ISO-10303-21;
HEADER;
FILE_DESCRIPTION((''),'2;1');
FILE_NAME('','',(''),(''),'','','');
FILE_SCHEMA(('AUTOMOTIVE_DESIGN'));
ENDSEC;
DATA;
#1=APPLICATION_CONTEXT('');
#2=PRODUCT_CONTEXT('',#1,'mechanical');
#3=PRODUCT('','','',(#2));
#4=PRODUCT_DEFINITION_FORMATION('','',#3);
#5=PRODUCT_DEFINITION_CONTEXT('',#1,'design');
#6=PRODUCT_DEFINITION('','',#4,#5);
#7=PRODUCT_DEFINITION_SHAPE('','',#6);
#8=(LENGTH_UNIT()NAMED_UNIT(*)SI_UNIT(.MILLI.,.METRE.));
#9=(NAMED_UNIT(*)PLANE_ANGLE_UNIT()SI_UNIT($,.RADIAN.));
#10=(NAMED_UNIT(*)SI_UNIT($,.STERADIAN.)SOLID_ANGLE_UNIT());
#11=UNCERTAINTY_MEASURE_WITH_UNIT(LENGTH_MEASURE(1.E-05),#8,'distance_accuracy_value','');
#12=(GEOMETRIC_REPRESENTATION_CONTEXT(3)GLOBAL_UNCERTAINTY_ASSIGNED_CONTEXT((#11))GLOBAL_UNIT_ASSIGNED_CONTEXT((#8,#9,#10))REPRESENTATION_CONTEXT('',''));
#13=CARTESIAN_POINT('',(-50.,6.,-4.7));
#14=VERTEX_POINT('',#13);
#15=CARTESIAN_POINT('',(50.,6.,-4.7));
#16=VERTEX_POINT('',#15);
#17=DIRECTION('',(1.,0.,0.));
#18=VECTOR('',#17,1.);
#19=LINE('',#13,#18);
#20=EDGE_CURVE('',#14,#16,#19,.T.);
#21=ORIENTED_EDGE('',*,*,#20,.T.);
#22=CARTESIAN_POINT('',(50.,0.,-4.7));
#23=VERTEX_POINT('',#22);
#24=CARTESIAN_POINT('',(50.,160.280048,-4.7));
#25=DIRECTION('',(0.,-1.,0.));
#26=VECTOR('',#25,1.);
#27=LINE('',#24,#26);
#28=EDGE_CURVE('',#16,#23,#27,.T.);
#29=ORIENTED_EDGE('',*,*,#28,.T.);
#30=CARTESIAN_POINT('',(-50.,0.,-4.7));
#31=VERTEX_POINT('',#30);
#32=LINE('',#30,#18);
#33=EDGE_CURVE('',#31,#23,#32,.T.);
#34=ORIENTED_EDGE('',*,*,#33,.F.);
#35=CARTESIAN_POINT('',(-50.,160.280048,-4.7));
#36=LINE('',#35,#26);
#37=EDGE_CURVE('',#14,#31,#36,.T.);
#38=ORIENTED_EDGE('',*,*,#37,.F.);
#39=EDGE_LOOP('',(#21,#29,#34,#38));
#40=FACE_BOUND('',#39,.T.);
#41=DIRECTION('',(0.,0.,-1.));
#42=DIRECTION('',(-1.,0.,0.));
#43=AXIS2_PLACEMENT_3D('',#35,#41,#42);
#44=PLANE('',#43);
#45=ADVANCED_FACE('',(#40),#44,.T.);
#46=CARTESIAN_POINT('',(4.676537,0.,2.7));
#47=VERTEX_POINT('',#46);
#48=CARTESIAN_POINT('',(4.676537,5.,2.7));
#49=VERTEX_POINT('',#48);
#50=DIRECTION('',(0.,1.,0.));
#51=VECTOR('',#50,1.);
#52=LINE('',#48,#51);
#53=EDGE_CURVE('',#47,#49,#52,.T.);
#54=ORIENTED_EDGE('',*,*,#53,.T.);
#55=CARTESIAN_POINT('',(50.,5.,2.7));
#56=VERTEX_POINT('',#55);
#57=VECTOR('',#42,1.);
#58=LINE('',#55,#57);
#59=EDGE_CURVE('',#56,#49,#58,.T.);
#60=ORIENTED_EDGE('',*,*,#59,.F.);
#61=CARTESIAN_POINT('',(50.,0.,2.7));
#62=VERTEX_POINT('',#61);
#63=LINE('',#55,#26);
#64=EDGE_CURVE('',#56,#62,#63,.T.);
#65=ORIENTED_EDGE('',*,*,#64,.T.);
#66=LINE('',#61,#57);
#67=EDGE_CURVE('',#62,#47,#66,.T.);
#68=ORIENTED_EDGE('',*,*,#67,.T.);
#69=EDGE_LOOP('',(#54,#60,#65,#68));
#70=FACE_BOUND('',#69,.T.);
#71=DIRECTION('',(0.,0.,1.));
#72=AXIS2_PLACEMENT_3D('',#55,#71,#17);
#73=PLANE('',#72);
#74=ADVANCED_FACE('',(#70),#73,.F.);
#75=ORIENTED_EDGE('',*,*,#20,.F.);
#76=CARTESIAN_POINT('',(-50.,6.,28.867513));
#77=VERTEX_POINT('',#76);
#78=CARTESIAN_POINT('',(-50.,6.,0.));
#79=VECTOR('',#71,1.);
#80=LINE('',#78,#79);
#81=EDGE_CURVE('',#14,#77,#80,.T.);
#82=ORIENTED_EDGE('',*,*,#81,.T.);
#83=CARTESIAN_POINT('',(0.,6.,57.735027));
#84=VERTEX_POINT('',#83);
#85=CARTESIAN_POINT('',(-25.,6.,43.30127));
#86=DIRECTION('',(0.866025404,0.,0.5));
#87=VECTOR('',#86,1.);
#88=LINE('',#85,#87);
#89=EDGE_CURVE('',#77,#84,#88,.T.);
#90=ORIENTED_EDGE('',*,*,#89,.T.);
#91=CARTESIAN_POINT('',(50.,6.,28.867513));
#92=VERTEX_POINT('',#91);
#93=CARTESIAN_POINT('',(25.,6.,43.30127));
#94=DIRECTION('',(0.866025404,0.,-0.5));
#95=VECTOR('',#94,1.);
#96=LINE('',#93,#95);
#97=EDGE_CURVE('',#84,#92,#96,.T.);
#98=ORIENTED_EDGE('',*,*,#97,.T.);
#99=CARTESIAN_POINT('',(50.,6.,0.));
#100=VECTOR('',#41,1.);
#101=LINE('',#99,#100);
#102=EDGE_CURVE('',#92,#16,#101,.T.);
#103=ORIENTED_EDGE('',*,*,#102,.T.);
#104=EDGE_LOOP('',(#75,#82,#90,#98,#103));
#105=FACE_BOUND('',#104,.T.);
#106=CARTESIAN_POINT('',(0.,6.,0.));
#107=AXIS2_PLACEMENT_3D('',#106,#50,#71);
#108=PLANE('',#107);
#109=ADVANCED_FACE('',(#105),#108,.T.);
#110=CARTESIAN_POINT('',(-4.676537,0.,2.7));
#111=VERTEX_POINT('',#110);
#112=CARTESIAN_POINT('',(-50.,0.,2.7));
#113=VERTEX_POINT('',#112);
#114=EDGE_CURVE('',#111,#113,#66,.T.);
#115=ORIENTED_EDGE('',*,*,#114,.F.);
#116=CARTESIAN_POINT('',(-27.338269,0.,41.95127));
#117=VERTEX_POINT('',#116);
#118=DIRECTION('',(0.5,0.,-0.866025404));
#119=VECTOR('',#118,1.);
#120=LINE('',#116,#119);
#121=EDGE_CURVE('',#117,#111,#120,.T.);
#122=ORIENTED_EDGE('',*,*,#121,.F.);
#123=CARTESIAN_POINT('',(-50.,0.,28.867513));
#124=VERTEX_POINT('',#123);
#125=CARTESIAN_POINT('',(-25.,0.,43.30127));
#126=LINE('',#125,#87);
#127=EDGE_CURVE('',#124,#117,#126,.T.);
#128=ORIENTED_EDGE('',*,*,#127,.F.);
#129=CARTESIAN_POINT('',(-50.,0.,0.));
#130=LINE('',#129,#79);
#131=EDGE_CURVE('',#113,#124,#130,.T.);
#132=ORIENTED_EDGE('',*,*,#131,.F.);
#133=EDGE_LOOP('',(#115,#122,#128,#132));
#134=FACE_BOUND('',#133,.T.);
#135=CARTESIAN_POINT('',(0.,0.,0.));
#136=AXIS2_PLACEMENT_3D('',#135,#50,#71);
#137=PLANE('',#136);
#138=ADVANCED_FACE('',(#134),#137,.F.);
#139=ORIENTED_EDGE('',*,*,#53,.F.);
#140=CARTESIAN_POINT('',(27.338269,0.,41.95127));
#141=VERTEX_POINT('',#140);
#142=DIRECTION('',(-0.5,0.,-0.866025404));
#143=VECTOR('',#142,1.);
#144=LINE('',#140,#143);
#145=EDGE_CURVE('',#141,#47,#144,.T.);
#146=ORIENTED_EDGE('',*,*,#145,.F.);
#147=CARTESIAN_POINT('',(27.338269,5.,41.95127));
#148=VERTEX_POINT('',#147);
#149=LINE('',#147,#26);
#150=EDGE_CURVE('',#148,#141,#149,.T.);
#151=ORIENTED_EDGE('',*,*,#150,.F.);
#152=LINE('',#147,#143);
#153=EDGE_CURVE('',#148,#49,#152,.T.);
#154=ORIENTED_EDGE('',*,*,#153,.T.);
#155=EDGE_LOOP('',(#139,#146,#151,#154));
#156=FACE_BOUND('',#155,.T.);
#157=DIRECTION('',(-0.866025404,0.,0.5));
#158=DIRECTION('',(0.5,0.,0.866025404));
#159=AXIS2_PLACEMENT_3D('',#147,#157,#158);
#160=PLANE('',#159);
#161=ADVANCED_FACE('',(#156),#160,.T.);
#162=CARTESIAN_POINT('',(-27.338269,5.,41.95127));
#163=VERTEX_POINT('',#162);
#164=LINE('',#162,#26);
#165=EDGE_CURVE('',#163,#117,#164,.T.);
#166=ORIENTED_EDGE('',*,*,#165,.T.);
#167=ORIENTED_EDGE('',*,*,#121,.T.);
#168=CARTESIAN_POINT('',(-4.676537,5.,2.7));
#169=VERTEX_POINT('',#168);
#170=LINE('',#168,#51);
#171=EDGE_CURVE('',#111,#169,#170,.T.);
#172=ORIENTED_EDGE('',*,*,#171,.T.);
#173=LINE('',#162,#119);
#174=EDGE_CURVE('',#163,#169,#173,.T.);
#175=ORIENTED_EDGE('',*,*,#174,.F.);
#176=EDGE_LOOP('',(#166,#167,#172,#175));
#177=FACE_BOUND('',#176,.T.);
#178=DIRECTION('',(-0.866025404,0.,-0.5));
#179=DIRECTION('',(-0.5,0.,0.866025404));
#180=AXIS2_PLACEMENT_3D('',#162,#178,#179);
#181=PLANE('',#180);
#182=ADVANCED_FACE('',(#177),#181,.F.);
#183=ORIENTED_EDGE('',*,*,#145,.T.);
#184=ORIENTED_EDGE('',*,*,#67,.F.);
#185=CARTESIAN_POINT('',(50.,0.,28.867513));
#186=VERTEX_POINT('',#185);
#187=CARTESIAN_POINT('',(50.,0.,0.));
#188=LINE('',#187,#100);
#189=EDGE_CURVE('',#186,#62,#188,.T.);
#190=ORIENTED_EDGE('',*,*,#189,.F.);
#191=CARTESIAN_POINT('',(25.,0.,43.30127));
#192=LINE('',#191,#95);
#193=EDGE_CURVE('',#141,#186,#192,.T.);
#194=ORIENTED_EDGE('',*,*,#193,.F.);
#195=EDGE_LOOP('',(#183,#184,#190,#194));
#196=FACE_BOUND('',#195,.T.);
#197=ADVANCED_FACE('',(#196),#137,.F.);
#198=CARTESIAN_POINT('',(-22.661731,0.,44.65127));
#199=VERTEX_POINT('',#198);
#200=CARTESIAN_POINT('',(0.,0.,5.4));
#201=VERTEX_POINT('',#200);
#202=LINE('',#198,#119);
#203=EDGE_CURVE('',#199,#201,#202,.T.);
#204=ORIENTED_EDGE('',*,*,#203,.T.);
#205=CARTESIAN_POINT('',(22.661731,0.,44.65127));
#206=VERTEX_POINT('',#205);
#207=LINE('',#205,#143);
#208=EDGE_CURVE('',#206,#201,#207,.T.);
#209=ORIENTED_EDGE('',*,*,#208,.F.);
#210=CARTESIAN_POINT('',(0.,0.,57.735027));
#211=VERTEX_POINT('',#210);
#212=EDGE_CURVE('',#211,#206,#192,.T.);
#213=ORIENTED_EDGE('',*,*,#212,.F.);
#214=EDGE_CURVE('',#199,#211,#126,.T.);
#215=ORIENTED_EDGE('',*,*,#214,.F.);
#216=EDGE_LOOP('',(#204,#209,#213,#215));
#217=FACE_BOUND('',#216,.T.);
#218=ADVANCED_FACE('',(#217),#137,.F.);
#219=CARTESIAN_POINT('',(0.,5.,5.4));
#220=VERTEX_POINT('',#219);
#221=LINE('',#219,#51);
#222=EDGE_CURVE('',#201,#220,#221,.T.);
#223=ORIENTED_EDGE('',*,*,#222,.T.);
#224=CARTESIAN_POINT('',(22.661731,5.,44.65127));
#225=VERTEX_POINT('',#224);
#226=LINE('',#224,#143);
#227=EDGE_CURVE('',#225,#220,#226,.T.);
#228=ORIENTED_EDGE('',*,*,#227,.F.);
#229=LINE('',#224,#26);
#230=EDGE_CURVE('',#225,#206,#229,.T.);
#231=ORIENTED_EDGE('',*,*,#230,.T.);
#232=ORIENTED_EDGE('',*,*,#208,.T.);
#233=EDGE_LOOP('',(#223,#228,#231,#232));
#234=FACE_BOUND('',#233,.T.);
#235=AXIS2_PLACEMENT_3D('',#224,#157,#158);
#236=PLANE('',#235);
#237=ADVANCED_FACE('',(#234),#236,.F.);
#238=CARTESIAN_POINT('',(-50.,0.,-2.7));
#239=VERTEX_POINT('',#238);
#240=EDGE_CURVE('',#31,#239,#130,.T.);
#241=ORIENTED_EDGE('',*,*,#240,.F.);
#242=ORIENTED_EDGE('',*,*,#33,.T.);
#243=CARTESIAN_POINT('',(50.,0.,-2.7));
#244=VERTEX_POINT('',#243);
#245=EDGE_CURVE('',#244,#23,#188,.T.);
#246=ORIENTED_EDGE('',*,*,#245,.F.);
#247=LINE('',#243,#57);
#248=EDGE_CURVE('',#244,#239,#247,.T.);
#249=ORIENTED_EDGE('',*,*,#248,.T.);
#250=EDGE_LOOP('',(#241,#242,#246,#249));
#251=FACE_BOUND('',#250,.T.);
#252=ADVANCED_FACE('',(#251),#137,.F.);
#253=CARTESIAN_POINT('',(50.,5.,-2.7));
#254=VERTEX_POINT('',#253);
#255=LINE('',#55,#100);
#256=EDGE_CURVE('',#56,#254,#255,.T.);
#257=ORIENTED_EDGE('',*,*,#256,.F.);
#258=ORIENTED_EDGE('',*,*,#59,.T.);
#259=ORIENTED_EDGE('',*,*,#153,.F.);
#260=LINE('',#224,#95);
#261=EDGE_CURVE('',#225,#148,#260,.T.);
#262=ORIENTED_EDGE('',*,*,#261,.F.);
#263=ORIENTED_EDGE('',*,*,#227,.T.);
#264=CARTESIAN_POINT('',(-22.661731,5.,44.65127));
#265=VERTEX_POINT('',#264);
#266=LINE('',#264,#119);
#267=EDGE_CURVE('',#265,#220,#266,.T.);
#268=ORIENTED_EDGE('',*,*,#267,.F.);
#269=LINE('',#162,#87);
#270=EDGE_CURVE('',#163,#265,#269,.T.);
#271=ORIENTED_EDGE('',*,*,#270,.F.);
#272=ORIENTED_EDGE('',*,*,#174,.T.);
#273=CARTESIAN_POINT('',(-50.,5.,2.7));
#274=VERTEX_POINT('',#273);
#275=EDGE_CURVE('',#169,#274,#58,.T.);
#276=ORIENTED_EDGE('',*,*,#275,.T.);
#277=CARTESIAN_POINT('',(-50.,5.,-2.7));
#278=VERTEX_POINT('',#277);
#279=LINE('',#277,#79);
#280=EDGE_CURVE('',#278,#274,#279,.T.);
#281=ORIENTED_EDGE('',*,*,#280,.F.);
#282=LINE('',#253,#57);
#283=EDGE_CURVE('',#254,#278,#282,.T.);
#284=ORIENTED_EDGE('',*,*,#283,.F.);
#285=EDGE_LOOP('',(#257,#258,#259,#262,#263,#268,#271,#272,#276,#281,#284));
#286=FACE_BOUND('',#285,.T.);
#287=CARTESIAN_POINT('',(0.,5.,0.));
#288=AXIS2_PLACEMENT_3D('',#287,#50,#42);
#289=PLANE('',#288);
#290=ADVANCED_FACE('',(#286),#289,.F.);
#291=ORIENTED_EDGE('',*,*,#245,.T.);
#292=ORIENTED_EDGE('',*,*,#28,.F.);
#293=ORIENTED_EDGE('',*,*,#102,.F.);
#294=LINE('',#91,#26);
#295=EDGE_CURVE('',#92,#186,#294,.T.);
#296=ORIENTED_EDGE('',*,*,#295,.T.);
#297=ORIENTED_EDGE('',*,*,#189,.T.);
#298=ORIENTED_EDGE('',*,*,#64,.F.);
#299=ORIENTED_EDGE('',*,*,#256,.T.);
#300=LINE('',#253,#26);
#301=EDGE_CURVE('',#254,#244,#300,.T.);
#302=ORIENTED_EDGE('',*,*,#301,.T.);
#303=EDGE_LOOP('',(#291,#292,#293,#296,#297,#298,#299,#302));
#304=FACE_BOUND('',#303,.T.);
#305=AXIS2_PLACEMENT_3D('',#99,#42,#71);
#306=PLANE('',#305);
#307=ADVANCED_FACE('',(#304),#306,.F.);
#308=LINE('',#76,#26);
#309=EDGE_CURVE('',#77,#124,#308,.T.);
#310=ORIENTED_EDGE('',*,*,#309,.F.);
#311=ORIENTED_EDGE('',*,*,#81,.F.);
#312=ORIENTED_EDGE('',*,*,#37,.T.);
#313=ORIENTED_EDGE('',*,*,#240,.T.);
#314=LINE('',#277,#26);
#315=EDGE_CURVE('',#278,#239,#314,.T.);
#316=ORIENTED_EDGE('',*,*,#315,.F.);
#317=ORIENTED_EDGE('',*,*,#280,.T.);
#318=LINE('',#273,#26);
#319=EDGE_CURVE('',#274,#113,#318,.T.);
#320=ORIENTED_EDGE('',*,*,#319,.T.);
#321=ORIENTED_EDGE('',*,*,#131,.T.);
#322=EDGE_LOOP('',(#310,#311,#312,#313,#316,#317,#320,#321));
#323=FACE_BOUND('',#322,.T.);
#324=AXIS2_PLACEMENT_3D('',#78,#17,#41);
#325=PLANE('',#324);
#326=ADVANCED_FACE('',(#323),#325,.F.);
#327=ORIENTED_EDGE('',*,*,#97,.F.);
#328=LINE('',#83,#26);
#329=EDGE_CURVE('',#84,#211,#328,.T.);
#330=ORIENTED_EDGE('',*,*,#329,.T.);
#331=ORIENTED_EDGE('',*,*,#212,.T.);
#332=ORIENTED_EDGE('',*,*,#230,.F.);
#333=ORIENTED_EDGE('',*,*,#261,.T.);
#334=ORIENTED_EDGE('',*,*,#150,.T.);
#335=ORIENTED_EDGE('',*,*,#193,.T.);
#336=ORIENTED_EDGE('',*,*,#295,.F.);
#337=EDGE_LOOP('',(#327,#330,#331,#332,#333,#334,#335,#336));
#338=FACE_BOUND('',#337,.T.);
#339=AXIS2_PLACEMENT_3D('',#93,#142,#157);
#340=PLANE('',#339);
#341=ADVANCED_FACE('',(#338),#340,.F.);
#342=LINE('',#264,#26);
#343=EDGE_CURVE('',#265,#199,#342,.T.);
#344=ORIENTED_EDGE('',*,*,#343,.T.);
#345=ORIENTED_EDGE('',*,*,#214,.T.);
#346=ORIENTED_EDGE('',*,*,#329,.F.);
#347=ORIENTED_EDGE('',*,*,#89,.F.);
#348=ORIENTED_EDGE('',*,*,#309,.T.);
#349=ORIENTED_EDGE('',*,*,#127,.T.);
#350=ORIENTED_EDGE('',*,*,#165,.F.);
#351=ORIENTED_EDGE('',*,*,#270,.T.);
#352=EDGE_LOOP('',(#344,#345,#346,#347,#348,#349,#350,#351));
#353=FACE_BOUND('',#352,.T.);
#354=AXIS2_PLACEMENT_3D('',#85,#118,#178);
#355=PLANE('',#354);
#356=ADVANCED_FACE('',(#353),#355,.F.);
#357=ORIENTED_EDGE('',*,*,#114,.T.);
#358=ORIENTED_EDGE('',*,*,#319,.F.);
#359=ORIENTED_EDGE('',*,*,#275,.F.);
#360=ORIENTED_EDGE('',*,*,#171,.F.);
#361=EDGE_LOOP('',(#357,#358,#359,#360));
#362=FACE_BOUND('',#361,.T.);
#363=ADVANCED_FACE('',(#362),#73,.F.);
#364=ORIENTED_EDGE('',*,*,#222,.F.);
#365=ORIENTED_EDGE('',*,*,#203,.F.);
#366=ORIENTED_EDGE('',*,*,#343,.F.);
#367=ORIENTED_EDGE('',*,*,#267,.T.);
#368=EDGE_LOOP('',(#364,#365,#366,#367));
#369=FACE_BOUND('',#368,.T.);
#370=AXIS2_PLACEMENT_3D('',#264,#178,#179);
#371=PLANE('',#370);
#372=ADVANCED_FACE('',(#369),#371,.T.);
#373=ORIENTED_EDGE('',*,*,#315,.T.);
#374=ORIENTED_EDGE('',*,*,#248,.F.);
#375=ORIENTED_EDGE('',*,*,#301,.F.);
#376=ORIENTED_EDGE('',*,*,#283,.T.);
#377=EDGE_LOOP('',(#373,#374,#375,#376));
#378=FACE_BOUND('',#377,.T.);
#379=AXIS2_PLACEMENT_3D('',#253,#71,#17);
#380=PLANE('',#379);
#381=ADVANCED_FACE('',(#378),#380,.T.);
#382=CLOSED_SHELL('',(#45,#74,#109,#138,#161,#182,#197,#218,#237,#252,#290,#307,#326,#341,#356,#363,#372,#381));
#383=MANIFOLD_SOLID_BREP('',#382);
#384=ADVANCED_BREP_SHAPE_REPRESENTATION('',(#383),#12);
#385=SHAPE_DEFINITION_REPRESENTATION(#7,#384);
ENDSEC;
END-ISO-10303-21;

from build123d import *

# Parameters (mm, degrees)
BOSS_EXTRUDE1_DEPTH     = 6
SKETCH2_W               = 100
SKETCH2_H               = 5.4
CUT_EXTRUDE_THIN1_DEPTH = 5
SKETCH3_OUTSIDE_W       = 132.574
SKETCH3_OUTSIDE_H       = 148.044
CUT_EXTRUDE1_DEPTH      = 6


with BuildPart() as part:
    # Sketch1 → Boss-Extrude1 (new body)
    with BuildSketch(Plane(origin=(0, 0, 0), x_dir=(1, 0, 0), z_dir=(0, 1, 0))):
        Polygon((0, 57.735026919), (-50, 28.867513459), (-50, -28.867513459), (0, -57.735026919), (50, -28.867513459), (50, 28.867513459), align=None)
    extrude(amount=BOSS_EXTRUDE1_DEPTH)

    # Sketch2 → Cut-Extrude-Thin1 (cut)
    with BuildSketch(Plane.XZ):
        Polygon((-27.33826859, 41.951270189), (-3.33826859, 0.382050808), (1.33826859, 3.082050808), (-22.66173141, 44.651270189), align=None)
        Rectangle(SKETCH2_W, SKETCH2_H)
        Polygon((22.66173141, 44.651270189), (-1.33826859, 3.082050808), (3.33826859, 0.382050808), (27.33826859, 41.951270189), align=None)
    extrude(amount=-CUT_EXTRUDE_THIN1_DEPTH, mode=Mode.SUBTRACT)

    # Sketch3 outside → Cut-Extrude1 (cut)
    with BuildSketch(Plane.XZ):
        Rectangle(SKETCH3_OUTSIDE_W, SKETCH3_OUTSIDE_H)
        Polygon((-50, 28.867513459), (0, 57.735026919), (50, 28.867513459), (50, -4.7), (-50, -4.7), align=None, mode=Mode.SUBTRACT)
    extrude(amount=-CUT_EXTRUDE1_DEPTH, mode=Mode.SUBTRACT)


solid = part.part
